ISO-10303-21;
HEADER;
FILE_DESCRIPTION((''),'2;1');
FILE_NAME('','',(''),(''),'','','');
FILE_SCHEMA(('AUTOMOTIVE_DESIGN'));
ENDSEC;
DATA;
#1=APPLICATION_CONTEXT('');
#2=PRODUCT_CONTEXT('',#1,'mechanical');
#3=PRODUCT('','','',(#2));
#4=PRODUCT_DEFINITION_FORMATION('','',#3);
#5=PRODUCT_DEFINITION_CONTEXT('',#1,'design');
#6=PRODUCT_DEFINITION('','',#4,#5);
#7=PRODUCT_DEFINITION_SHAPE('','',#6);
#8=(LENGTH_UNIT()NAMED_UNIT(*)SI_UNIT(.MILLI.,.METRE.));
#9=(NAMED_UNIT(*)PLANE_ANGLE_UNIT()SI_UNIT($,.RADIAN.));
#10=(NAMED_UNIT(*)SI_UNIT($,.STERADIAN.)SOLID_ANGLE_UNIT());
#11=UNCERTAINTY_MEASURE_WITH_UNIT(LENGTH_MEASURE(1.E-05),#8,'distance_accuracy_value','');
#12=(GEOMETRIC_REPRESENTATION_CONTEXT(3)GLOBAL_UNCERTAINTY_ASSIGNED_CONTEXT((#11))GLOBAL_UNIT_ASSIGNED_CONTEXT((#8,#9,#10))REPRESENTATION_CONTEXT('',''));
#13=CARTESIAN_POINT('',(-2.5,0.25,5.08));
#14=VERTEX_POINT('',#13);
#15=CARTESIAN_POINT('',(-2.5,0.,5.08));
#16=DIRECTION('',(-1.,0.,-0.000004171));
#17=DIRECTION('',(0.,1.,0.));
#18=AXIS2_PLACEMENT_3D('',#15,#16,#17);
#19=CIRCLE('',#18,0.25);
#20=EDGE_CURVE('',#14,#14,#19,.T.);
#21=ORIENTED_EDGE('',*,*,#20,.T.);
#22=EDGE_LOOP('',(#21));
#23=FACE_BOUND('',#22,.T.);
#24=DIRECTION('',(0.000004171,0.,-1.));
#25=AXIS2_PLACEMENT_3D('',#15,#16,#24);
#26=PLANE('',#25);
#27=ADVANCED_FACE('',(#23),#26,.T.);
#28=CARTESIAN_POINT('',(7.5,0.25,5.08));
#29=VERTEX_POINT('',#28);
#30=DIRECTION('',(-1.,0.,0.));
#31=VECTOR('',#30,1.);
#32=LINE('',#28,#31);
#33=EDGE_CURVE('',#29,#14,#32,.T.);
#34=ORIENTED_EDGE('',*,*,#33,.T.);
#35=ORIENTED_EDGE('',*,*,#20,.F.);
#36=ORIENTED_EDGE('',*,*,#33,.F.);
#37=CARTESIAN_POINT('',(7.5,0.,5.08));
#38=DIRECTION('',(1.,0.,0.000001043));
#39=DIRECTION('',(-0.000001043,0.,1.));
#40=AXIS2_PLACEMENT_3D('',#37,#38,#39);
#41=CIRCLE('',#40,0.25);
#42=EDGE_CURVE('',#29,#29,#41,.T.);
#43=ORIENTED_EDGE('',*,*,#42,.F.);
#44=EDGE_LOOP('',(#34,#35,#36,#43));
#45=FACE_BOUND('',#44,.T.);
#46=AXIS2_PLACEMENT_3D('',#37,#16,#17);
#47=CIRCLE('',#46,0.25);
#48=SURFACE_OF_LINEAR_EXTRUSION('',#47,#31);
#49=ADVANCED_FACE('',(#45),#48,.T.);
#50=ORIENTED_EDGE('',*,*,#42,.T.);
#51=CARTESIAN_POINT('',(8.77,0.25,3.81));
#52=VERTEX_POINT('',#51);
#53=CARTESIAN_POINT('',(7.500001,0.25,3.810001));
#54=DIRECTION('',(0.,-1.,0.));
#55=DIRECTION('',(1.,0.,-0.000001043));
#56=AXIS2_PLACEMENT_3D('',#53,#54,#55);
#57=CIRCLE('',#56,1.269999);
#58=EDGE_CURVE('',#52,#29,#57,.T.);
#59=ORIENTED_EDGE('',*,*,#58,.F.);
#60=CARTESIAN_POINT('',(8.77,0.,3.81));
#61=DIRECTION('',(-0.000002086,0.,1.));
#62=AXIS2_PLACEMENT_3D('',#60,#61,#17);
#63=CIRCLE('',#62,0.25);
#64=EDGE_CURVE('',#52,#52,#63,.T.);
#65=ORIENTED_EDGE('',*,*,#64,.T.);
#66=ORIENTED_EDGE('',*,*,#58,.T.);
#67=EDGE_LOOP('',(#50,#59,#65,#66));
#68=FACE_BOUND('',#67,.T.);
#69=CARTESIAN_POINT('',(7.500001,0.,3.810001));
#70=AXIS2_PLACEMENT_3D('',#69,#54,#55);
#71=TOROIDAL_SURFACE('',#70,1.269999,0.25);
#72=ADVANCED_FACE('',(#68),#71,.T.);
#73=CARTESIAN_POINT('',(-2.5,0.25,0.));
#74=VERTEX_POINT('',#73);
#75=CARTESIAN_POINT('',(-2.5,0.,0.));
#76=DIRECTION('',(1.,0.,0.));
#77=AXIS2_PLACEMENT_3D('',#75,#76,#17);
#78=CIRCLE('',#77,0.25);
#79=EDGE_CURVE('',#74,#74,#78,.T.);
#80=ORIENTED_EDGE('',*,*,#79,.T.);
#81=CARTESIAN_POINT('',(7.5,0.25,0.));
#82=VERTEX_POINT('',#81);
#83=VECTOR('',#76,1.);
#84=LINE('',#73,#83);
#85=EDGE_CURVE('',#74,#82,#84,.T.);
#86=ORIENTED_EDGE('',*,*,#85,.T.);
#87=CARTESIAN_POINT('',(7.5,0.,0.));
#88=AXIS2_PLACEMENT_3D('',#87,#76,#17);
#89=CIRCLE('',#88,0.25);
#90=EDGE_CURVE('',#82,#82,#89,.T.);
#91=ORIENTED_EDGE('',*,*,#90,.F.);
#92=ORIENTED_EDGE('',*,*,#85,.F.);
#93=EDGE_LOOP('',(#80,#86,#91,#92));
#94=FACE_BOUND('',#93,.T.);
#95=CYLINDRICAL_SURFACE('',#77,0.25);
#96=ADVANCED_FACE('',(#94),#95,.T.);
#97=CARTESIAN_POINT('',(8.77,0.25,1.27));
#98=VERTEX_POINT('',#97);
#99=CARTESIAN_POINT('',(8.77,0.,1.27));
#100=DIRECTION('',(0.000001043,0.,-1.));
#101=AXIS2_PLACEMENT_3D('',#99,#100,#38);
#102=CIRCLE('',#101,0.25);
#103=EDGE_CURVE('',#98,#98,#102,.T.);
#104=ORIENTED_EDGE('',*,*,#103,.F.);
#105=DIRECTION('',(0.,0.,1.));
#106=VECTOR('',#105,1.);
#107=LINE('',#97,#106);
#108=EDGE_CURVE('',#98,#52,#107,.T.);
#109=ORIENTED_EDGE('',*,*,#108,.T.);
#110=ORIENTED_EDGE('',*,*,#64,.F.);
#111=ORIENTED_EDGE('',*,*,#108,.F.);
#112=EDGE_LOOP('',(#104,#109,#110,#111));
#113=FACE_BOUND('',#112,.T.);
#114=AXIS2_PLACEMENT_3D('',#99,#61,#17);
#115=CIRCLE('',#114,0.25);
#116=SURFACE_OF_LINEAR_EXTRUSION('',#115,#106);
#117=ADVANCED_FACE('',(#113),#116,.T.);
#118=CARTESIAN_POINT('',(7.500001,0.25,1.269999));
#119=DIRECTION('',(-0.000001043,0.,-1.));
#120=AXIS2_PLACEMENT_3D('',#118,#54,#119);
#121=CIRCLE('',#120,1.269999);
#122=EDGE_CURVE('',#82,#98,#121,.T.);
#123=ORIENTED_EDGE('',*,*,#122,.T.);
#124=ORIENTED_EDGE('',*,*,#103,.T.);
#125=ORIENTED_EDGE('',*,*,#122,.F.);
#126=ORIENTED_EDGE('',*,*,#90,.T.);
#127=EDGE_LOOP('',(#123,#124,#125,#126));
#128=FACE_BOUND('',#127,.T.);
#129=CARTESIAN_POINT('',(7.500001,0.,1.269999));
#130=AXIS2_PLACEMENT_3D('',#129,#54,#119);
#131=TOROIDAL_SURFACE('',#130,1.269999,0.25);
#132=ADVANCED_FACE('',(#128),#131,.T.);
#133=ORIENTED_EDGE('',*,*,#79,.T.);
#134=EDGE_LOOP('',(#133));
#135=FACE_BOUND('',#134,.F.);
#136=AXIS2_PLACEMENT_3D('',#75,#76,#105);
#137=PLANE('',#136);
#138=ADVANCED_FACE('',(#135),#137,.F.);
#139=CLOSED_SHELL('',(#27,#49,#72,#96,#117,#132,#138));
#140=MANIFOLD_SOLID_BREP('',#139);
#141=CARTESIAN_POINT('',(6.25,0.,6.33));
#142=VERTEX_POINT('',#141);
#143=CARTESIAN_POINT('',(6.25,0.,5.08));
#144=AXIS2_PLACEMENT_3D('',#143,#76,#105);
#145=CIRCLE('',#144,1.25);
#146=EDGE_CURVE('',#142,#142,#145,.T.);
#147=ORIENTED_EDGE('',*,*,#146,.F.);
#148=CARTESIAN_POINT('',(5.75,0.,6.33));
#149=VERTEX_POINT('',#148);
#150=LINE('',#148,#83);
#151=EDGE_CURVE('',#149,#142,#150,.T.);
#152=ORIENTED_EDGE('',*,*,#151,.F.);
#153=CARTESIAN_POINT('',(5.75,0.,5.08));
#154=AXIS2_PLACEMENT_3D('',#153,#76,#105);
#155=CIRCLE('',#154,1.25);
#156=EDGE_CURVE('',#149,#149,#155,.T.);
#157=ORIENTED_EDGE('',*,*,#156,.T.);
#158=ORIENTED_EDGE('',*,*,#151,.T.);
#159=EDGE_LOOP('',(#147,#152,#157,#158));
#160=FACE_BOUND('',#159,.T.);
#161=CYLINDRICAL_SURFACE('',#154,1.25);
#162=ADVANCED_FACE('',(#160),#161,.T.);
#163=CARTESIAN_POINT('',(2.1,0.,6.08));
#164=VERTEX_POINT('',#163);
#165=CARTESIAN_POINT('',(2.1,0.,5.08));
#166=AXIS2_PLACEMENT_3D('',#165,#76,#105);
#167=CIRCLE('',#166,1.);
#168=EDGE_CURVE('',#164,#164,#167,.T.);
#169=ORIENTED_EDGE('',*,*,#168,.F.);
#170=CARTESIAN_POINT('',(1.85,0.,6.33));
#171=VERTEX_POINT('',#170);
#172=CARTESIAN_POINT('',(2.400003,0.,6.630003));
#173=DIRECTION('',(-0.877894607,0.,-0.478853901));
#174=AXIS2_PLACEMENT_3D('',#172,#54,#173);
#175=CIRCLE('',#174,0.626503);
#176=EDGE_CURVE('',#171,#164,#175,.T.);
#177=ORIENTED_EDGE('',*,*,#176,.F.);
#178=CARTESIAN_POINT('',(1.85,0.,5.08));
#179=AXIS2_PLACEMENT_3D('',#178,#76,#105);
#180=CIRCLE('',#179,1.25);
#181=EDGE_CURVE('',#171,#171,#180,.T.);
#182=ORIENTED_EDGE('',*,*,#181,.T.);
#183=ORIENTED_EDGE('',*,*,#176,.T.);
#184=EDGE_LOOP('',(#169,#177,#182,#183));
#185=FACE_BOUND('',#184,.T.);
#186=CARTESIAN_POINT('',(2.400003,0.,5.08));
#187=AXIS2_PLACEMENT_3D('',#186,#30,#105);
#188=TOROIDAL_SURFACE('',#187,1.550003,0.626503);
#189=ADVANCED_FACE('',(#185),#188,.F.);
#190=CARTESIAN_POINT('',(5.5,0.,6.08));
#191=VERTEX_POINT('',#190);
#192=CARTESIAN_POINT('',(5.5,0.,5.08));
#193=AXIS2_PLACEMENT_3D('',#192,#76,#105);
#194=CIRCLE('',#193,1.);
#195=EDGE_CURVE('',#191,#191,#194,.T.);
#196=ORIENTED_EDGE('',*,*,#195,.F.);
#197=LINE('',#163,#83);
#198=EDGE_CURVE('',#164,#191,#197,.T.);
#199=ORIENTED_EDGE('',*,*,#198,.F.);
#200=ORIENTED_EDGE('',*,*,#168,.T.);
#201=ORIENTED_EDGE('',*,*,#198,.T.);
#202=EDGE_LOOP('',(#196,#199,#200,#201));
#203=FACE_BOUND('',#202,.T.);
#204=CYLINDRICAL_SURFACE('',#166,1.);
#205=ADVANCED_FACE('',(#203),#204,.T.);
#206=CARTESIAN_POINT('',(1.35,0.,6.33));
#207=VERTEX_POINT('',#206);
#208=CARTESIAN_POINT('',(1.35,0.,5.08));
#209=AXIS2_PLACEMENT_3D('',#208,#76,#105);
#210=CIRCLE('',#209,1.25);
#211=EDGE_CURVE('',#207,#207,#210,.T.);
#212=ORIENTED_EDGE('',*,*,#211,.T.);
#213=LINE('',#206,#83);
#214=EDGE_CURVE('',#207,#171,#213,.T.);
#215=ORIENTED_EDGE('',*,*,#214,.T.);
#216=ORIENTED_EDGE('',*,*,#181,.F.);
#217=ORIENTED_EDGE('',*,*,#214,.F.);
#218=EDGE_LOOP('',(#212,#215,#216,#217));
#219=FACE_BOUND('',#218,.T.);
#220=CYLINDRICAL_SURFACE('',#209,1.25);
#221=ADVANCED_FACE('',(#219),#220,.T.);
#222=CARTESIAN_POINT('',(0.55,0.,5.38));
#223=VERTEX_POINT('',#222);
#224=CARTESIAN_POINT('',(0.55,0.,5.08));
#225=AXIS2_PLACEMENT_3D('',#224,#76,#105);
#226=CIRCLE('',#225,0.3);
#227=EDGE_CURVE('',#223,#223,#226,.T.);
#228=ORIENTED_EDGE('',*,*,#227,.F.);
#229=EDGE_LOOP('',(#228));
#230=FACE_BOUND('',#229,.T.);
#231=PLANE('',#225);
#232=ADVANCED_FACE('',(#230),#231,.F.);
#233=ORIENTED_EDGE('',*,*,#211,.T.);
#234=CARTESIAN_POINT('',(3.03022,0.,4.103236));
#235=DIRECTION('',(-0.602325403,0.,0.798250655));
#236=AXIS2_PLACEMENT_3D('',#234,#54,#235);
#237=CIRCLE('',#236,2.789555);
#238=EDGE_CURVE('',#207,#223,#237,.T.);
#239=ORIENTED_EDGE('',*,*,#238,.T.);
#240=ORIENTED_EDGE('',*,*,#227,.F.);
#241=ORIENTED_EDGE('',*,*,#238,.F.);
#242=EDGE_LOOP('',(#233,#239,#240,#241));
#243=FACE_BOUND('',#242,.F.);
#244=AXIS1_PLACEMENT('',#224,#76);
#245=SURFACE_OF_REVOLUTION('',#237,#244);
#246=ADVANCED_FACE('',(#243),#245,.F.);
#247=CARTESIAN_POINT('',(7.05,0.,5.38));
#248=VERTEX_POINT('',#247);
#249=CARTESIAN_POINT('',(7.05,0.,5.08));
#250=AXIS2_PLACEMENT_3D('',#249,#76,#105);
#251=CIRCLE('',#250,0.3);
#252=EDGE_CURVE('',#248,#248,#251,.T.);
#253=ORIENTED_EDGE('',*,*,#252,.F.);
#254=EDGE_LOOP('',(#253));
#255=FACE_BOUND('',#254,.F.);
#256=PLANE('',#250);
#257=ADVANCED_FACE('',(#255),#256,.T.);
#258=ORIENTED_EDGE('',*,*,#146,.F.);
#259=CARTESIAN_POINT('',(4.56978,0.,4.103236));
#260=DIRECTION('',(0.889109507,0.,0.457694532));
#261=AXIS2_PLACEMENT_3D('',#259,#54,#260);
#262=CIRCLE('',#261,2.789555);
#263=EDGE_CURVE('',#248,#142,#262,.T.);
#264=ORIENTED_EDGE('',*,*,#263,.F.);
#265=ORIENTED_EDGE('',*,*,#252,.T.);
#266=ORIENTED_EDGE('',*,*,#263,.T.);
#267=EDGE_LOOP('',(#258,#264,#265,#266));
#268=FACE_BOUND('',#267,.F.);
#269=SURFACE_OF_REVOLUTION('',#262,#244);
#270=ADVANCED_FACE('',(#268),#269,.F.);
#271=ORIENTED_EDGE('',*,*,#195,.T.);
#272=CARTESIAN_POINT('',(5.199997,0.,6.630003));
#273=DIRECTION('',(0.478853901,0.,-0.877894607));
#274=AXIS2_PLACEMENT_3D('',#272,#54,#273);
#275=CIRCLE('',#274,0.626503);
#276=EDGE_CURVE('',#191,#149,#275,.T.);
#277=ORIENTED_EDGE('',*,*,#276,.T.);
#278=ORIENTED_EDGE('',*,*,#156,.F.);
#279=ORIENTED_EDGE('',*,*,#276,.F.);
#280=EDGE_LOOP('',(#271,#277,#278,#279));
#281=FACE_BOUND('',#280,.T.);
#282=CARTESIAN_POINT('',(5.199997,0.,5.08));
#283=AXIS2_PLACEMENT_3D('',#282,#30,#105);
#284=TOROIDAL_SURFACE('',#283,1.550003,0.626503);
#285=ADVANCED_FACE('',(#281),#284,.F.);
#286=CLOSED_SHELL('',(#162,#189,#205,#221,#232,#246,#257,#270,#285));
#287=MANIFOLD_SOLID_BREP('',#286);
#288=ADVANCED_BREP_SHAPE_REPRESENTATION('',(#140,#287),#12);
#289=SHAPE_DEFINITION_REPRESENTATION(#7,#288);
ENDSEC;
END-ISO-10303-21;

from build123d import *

# Parameters (mm, degrees)
SKETCH_R = 0.25


with BuildPart() as revolution:
    # Sketch002 → Revolution (revolve)
    with BuildSketch(Plane.XZ):
        with BuildLine():
            Line((1.35, 6.33), (1.85, 6.33))
            ThreePointArc((1.85, 6.33), (1.956999, 6.186999), (2.1, 6.08))
            Line((2.1, 6.08), (5.5, 6.08))
            ThreePointArc((5.5, 6.08), (5.643001, 6.186999), (5.75, 6.33))
            Line((5.75, 6.33), (6.25, 6.33))
            ThreePointArc((7.05, 5.38), (6.703542, 5.900088), (6.25, 6.33))
            Line((7.05, 5.08), (7.05, 5.38))
            Line((0.55, 5.08), (7.05, 5.08))
            Line((0.55, 5.08), (0.55, 5.38))
            ThreePointArc((1.35, 6.33), (0.896458, 5.900088), (0.55, 5.38))
        make_face()
    revolve(axis=Axis((0.55, 0, 5.08), (1, 0, 0)))


with BuildPart() as sweep_body:
    # Sweep: sweep along a path in Sketch001
    with BuildLine(Plane.XZ) as sweep_path:
        Line((-2.5, 0), (7.5, 0))
        ThreePointArc((7.5, 0), (8.398026, 0.371974), (8.77, 1.27))
        Line((8.77, 1.27), (8.77, 3.81))
        ThreePointArc((8.77, 3.81), (8.398026, 4.708026), (7.5, 5.08))
        Line((7.5, 5.08), (-2.5, 5.08))
    # Sketch → Sweep (sweep)
    with BuildSketch(Plane.YZ.offset(-2.5)):
        Circle(SKETCH_R)
    sweep(path=sweep_path.line, is_frenet=True)


solid = Compound([revolution.part, sweep_body.part])
